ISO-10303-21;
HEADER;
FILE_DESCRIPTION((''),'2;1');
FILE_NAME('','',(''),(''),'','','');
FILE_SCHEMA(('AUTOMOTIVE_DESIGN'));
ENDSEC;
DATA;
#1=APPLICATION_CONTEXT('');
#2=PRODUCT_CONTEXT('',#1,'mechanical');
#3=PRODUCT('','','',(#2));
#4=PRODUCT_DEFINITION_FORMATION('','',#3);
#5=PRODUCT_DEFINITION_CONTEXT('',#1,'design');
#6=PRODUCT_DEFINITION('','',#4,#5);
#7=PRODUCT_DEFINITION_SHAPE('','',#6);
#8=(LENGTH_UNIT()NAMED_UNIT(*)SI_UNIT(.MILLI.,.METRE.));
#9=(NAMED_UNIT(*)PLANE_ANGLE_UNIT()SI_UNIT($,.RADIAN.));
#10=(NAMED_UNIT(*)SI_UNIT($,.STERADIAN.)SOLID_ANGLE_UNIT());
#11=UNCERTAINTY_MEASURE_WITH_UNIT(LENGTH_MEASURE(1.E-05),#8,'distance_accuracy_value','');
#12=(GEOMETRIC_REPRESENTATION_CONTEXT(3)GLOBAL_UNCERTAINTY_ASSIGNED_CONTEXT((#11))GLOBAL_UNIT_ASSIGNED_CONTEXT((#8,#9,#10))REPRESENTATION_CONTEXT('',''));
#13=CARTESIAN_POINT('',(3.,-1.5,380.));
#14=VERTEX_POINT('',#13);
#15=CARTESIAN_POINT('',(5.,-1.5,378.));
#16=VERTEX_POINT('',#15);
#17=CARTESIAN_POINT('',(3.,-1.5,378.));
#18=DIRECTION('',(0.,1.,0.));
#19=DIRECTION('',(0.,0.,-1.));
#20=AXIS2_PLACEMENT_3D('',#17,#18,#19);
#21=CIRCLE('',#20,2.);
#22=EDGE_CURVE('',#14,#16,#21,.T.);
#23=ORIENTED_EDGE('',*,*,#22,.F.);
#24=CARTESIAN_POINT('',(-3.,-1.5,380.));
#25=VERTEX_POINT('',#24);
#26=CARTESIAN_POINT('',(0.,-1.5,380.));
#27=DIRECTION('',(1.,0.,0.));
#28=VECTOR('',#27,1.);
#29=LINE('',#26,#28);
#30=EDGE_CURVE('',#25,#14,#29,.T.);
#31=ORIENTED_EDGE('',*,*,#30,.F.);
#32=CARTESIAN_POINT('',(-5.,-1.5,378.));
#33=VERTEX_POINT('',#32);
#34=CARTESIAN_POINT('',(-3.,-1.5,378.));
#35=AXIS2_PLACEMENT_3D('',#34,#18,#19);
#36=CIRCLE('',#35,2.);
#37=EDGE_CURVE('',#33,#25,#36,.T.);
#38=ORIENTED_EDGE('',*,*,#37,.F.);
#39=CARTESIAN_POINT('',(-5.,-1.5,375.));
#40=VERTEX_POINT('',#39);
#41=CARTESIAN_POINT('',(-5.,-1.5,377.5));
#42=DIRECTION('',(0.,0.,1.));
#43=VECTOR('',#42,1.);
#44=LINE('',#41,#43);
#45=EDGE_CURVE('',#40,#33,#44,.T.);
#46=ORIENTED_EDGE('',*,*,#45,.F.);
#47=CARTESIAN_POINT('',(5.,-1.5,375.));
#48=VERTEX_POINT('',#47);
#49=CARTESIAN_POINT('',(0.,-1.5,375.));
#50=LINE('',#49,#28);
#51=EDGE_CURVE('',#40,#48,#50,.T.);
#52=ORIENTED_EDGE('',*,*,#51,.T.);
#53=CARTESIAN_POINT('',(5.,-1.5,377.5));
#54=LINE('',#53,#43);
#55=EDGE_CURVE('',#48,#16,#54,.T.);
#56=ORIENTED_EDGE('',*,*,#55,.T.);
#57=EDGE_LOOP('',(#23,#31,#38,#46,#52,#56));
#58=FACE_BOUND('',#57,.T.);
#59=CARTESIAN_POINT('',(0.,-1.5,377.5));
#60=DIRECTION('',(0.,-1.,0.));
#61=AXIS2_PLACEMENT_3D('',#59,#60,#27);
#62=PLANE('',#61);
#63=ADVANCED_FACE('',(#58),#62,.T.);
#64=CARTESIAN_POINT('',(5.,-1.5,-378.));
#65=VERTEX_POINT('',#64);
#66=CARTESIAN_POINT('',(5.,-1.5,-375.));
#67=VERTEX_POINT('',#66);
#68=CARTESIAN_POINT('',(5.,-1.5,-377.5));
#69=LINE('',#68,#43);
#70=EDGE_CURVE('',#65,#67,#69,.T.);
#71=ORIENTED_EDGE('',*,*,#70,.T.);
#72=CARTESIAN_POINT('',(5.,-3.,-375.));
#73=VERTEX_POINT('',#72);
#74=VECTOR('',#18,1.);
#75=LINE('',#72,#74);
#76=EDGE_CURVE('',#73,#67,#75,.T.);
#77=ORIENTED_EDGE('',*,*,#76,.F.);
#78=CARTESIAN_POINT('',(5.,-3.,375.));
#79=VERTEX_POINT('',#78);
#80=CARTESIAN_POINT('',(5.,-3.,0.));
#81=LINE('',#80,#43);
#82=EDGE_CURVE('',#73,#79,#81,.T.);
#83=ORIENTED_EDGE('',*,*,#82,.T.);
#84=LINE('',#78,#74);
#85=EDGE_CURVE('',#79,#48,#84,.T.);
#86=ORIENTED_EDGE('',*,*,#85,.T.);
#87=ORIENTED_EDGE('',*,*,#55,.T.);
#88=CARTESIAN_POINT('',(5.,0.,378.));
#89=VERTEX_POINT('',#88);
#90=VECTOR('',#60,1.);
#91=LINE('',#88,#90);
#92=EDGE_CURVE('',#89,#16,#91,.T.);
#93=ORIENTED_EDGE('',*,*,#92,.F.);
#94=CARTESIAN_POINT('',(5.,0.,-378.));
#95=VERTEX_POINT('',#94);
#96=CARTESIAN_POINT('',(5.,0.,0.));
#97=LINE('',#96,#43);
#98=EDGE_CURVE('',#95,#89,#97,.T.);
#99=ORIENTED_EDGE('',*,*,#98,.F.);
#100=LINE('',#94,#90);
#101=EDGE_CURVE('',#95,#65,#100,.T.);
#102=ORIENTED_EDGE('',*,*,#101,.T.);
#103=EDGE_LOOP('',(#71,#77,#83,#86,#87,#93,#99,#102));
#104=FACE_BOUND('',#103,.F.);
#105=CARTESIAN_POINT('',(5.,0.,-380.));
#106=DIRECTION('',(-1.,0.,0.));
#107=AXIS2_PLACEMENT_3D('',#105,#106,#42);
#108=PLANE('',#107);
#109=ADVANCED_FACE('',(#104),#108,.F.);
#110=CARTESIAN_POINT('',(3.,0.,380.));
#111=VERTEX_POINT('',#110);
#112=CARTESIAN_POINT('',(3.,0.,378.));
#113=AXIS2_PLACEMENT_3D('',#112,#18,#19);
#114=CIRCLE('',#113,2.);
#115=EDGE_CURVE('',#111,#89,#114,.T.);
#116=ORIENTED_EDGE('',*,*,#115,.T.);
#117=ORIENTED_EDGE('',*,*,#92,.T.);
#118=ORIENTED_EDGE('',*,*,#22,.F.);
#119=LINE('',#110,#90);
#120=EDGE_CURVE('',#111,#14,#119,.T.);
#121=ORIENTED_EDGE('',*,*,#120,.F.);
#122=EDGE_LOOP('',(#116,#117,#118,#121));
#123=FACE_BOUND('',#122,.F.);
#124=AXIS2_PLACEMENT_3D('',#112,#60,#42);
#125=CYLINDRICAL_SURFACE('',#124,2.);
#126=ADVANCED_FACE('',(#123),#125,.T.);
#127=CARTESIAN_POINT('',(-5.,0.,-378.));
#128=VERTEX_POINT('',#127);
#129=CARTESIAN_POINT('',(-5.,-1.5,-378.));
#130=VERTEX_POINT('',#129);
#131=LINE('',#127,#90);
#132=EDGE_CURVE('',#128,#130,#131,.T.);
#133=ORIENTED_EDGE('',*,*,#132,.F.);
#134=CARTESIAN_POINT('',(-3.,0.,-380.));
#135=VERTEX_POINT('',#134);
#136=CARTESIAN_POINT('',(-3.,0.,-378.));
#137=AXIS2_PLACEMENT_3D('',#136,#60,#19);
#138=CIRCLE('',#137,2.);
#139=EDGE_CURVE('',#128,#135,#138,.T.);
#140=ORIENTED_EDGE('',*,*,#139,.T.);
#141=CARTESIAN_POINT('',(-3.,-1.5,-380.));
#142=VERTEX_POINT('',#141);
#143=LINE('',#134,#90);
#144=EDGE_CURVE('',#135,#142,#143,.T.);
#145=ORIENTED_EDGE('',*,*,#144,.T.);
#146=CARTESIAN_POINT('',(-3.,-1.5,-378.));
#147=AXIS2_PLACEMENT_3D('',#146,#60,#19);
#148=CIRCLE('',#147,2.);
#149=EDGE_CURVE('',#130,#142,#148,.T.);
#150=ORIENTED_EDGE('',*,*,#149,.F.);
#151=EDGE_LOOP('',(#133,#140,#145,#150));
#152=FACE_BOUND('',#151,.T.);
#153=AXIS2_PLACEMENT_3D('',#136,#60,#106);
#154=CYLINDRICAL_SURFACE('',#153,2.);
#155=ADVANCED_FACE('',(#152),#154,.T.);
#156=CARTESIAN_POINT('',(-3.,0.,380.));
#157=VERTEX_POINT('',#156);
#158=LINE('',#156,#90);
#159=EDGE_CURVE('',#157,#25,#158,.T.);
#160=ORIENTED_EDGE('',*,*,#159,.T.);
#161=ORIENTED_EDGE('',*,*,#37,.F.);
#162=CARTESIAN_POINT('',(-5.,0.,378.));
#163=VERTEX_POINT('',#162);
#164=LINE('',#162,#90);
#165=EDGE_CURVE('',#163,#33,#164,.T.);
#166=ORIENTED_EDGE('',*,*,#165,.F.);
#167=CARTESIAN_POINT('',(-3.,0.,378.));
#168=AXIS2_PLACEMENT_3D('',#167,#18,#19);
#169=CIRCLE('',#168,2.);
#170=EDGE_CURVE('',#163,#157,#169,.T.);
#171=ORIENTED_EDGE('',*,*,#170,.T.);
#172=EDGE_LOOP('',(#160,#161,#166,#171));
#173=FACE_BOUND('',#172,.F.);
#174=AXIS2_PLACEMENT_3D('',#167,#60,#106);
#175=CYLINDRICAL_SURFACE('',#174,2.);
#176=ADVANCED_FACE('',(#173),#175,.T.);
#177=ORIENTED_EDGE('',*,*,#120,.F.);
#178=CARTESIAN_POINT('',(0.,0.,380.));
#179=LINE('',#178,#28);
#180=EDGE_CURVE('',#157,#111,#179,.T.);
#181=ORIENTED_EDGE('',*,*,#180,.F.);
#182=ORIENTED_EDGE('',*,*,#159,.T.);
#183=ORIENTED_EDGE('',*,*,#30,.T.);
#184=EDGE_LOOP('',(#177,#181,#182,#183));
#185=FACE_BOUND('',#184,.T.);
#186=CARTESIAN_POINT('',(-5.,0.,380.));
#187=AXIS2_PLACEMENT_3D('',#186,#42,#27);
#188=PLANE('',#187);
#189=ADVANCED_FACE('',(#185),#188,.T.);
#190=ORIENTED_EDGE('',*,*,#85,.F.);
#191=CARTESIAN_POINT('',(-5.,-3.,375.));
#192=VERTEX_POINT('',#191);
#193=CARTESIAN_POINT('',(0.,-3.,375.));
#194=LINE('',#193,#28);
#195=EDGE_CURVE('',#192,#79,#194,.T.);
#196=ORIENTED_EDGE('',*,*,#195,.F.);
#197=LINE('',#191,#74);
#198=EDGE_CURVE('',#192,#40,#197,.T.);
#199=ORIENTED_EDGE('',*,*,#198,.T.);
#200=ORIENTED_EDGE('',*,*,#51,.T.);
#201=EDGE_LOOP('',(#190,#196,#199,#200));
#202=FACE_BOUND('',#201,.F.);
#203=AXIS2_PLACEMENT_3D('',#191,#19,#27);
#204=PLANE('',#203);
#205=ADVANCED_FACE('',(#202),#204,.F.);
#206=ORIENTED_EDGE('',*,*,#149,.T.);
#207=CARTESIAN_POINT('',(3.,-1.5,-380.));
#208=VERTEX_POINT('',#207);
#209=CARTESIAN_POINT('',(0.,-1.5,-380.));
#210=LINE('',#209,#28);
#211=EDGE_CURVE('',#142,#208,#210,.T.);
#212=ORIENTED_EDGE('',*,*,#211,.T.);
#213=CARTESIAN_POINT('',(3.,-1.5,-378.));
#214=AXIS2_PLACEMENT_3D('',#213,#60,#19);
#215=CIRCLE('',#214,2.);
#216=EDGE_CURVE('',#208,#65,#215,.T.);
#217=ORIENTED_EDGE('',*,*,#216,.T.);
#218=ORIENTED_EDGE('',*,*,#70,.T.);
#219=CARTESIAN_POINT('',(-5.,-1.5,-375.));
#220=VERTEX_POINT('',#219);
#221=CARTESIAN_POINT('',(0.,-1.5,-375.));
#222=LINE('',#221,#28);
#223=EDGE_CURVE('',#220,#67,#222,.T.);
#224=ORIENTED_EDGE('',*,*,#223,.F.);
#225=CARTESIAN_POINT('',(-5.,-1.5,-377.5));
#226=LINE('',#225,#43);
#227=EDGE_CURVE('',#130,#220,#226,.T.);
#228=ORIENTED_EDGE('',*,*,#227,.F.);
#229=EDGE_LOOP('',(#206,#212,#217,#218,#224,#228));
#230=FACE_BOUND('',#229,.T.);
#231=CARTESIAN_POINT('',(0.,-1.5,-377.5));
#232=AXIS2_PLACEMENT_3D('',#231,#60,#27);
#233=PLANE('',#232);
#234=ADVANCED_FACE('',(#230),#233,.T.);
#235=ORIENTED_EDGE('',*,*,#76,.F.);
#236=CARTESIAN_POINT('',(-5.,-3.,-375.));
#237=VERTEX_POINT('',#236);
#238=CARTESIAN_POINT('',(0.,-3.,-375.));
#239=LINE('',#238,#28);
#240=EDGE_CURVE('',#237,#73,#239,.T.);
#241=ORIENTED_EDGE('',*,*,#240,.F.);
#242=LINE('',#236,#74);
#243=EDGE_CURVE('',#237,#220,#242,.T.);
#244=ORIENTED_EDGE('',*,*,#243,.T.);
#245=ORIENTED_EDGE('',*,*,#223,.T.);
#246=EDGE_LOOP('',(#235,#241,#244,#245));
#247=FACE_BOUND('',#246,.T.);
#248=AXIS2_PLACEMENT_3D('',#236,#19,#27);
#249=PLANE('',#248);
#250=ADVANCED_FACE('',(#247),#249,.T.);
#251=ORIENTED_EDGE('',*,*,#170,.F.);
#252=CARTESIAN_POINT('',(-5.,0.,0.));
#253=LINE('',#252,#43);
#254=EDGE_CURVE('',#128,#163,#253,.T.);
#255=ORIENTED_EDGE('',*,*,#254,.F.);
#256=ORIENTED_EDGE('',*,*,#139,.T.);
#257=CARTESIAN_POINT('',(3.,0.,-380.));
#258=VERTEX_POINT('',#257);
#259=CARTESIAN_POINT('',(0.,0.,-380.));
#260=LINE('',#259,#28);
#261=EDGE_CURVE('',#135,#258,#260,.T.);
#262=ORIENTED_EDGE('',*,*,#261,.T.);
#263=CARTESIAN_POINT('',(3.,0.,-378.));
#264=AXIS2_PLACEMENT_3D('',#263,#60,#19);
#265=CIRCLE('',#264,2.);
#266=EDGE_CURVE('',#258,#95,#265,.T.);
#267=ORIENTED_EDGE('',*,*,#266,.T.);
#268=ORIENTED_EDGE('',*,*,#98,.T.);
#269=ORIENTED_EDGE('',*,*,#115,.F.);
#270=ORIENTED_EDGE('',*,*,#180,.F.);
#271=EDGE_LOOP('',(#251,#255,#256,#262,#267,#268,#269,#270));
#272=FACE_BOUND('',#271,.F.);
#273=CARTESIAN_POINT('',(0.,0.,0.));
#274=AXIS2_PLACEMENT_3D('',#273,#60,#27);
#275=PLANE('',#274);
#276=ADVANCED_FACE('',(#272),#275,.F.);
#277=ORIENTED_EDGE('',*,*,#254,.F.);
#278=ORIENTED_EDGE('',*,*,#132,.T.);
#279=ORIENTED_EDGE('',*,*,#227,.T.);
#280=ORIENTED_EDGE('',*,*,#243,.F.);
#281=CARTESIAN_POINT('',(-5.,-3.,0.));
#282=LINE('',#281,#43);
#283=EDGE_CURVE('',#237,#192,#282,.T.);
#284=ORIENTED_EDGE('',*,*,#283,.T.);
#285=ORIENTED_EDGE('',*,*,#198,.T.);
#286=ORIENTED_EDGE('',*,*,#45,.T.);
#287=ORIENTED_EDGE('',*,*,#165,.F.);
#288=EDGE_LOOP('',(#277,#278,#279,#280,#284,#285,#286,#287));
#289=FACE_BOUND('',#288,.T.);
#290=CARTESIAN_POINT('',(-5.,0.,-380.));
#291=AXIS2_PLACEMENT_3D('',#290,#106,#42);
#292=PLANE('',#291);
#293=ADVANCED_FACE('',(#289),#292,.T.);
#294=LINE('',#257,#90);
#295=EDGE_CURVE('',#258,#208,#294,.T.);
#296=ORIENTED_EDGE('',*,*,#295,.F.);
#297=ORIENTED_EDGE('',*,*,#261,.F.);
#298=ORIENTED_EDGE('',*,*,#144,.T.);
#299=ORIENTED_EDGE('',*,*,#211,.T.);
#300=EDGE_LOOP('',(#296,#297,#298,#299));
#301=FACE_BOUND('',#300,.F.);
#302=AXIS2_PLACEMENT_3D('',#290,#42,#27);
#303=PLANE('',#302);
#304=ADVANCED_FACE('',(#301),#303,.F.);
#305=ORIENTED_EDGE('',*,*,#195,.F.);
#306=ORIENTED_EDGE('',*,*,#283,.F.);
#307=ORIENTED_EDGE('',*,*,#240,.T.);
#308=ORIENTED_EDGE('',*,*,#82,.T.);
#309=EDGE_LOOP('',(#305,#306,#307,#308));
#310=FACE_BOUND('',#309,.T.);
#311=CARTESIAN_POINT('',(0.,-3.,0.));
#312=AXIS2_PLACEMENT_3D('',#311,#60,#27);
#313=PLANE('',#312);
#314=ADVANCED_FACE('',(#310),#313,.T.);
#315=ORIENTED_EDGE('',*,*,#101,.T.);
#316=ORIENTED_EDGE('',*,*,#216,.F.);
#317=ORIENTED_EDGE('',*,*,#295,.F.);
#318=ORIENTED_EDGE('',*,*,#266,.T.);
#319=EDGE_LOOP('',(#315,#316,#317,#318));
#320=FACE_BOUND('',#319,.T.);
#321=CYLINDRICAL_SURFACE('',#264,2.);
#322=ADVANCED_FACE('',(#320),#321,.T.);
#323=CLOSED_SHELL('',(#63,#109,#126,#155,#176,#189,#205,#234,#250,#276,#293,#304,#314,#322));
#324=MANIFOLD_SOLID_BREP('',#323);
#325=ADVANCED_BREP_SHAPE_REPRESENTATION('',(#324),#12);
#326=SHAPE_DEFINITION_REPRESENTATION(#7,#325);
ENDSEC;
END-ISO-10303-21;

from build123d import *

# Parameters (mm, degrees)
F0_W     = 10
F0_H     = 760
F1_DEPTH = 3
F2_W     = 10
F2_H     = 5
F3_DEPTH = 1.5
F4_R     = 2


with BuildPart() as f1:
    # F0 (on Front) → F1 (new body)
    with BuildSketch(Plane.XZ):
        Rectangle(F0_W, F0_H)
    extrude(amount=F1_DEPTH)

    # F2 (on face) → F3 (cut)
    with BuildSketch(Plane.XZ.offset(3)):
        with Locations((0, 377.5)):
            Rectangle(F2_W, F2_H)
        with Locations((0, -377.5)):
            Rectangle(F2_W, F2_H)
    extrude(amount=-F3_DEPTH, mode=Mode.SUBTRACT)

    # F4
    f4_edges = [f1.edges().sort_by_distance(p)[0] for p in [
        (5, -0.75, -380),
        (-5, -0.75, -380),
        (-5, -0.75, 380),
        (5, -0.75, 380),
    ]]
    fillet(f4_edges, radius=F4_R)


solid = f1.part
